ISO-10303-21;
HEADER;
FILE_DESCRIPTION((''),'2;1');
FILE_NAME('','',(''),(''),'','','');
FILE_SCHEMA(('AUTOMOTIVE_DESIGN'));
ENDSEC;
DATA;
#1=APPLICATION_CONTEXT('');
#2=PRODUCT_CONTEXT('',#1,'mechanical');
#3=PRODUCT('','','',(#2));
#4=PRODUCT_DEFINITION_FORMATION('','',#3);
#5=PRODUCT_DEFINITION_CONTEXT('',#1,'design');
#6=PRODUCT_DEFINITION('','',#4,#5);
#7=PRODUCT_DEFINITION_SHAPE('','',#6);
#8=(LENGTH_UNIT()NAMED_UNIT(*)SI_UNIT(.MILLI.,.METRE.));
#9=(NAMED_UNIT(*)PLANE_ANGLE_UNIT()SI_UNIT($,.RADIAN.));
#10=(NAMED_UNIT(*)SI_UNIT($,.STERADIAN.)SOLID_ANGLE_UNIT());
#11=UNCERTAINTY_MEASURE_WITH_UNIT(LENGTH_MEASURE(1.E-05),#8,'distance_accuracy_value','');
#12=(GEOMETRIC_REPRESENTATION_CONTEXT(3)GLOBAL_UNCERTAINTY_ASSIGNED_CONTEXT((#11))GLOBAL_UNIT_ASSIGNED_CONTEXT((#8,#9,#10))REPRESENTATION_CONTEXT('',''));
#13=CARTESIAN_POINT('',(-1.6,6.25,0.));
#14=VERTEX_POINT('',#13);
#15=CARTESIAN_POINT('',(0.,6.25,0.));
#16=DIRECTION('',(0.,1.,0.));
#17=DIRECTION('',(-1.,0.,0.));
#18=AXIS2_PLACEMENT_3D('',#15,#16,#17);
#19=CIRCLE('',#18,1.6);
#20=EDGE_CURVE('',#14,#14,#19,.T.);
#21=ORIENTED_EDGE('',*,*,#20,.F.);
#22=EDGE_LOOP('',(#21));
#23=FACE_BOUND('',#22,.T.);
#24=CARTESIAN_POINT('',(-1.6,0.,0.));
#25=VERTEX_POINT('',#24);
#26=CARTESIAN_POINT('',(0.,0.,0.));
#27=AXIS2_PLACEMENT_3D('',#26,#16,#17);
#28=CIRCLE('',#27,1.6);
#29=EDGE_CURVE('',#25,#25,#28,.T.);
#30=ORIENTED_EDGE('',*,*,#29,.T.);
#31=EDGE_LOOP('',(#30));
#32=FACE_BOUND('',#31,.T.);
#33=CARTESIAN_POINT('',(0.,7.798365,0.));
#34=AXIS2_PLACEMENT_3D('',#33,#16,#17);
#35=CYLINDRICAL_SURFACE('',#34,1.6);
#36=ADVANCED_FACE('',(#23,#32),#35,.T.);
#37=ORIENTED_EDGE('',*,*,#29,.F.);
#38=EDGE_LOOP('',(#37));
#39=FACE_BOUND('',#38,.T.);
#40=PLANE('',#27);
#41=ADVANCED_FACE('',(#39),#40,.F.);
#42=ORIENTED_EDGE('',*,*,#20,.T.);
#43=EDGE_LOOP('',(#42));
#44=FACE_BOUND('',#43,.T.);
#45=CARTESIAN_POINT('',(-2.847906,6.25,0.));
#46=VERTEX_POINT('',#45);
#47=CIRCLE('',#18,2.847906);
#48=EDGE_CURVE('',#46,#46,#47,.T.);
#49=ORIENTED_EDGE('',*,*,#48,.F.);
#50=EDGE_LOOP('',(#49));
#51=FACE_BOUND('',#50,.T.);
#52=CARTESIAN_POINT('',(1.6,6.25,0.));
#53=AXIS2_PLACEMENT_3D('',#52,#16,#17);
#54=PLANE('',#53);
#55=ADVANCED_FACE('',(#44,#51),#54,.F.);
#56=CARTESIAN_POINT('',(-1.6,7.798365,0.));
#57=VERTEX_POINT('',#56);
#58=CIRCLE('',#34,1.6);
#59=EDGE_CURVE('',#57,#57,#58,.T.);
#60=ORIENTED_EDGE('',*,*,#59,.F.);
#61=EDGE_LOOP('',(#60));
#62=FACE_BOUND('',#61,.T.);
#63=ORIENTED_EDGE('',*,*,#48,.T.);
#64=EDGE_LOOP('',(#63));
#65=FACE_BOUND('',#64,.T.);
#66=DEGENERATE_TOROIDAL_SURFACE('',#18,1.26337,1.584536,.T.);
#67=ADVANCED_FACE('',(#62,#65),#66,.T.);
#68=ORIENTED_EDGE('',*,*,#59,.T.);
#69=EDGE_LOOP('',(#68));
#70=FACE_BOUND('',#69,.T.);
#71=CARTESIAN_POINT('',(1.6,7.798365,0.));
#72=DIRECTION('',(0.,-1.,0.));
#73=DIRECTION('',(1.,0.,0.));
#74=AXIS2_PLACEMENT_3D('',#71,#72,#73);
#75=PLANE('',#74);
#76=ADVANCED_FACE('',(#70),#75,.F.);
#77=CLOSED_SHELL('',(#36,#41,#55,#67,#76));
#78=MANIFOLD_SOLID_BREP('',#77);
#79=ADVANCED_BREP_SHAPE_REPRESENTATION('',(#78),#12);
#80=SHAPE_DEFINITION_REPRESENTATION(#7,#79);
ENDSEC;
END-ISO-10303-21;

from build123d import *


with BuildPart() as part:
    # Sketch1 → Revolve1 (revolve)
    with BuildSketch(Plane.XY, mode=Mode.PRIVATE) as revolve1_sk:
        with BuildLine():
            Line((0, 0), (1.6, 0))
            Line((1.6, 0), (1.6, 6.25))
            Line((1.6, 6.25), (2.84790623, 6.25))
            ThreePointArc((2.84790623, 6.25), (2.497095548, 7.244321959), (1.6, 7.798365162))
            Line((1.6, 7.798365162), (0, 7.798365162))
            Line((0, 7.798365162), (0, 0))
        make_face()
    revolve(revolve1_sk.sketch.rotate(Axis((0, 7.798365162, 0), (0, -1, 0)), 180), axis=Axis((0, 7.798365162, 0), (0, -1, 0)))


solid = part.part
